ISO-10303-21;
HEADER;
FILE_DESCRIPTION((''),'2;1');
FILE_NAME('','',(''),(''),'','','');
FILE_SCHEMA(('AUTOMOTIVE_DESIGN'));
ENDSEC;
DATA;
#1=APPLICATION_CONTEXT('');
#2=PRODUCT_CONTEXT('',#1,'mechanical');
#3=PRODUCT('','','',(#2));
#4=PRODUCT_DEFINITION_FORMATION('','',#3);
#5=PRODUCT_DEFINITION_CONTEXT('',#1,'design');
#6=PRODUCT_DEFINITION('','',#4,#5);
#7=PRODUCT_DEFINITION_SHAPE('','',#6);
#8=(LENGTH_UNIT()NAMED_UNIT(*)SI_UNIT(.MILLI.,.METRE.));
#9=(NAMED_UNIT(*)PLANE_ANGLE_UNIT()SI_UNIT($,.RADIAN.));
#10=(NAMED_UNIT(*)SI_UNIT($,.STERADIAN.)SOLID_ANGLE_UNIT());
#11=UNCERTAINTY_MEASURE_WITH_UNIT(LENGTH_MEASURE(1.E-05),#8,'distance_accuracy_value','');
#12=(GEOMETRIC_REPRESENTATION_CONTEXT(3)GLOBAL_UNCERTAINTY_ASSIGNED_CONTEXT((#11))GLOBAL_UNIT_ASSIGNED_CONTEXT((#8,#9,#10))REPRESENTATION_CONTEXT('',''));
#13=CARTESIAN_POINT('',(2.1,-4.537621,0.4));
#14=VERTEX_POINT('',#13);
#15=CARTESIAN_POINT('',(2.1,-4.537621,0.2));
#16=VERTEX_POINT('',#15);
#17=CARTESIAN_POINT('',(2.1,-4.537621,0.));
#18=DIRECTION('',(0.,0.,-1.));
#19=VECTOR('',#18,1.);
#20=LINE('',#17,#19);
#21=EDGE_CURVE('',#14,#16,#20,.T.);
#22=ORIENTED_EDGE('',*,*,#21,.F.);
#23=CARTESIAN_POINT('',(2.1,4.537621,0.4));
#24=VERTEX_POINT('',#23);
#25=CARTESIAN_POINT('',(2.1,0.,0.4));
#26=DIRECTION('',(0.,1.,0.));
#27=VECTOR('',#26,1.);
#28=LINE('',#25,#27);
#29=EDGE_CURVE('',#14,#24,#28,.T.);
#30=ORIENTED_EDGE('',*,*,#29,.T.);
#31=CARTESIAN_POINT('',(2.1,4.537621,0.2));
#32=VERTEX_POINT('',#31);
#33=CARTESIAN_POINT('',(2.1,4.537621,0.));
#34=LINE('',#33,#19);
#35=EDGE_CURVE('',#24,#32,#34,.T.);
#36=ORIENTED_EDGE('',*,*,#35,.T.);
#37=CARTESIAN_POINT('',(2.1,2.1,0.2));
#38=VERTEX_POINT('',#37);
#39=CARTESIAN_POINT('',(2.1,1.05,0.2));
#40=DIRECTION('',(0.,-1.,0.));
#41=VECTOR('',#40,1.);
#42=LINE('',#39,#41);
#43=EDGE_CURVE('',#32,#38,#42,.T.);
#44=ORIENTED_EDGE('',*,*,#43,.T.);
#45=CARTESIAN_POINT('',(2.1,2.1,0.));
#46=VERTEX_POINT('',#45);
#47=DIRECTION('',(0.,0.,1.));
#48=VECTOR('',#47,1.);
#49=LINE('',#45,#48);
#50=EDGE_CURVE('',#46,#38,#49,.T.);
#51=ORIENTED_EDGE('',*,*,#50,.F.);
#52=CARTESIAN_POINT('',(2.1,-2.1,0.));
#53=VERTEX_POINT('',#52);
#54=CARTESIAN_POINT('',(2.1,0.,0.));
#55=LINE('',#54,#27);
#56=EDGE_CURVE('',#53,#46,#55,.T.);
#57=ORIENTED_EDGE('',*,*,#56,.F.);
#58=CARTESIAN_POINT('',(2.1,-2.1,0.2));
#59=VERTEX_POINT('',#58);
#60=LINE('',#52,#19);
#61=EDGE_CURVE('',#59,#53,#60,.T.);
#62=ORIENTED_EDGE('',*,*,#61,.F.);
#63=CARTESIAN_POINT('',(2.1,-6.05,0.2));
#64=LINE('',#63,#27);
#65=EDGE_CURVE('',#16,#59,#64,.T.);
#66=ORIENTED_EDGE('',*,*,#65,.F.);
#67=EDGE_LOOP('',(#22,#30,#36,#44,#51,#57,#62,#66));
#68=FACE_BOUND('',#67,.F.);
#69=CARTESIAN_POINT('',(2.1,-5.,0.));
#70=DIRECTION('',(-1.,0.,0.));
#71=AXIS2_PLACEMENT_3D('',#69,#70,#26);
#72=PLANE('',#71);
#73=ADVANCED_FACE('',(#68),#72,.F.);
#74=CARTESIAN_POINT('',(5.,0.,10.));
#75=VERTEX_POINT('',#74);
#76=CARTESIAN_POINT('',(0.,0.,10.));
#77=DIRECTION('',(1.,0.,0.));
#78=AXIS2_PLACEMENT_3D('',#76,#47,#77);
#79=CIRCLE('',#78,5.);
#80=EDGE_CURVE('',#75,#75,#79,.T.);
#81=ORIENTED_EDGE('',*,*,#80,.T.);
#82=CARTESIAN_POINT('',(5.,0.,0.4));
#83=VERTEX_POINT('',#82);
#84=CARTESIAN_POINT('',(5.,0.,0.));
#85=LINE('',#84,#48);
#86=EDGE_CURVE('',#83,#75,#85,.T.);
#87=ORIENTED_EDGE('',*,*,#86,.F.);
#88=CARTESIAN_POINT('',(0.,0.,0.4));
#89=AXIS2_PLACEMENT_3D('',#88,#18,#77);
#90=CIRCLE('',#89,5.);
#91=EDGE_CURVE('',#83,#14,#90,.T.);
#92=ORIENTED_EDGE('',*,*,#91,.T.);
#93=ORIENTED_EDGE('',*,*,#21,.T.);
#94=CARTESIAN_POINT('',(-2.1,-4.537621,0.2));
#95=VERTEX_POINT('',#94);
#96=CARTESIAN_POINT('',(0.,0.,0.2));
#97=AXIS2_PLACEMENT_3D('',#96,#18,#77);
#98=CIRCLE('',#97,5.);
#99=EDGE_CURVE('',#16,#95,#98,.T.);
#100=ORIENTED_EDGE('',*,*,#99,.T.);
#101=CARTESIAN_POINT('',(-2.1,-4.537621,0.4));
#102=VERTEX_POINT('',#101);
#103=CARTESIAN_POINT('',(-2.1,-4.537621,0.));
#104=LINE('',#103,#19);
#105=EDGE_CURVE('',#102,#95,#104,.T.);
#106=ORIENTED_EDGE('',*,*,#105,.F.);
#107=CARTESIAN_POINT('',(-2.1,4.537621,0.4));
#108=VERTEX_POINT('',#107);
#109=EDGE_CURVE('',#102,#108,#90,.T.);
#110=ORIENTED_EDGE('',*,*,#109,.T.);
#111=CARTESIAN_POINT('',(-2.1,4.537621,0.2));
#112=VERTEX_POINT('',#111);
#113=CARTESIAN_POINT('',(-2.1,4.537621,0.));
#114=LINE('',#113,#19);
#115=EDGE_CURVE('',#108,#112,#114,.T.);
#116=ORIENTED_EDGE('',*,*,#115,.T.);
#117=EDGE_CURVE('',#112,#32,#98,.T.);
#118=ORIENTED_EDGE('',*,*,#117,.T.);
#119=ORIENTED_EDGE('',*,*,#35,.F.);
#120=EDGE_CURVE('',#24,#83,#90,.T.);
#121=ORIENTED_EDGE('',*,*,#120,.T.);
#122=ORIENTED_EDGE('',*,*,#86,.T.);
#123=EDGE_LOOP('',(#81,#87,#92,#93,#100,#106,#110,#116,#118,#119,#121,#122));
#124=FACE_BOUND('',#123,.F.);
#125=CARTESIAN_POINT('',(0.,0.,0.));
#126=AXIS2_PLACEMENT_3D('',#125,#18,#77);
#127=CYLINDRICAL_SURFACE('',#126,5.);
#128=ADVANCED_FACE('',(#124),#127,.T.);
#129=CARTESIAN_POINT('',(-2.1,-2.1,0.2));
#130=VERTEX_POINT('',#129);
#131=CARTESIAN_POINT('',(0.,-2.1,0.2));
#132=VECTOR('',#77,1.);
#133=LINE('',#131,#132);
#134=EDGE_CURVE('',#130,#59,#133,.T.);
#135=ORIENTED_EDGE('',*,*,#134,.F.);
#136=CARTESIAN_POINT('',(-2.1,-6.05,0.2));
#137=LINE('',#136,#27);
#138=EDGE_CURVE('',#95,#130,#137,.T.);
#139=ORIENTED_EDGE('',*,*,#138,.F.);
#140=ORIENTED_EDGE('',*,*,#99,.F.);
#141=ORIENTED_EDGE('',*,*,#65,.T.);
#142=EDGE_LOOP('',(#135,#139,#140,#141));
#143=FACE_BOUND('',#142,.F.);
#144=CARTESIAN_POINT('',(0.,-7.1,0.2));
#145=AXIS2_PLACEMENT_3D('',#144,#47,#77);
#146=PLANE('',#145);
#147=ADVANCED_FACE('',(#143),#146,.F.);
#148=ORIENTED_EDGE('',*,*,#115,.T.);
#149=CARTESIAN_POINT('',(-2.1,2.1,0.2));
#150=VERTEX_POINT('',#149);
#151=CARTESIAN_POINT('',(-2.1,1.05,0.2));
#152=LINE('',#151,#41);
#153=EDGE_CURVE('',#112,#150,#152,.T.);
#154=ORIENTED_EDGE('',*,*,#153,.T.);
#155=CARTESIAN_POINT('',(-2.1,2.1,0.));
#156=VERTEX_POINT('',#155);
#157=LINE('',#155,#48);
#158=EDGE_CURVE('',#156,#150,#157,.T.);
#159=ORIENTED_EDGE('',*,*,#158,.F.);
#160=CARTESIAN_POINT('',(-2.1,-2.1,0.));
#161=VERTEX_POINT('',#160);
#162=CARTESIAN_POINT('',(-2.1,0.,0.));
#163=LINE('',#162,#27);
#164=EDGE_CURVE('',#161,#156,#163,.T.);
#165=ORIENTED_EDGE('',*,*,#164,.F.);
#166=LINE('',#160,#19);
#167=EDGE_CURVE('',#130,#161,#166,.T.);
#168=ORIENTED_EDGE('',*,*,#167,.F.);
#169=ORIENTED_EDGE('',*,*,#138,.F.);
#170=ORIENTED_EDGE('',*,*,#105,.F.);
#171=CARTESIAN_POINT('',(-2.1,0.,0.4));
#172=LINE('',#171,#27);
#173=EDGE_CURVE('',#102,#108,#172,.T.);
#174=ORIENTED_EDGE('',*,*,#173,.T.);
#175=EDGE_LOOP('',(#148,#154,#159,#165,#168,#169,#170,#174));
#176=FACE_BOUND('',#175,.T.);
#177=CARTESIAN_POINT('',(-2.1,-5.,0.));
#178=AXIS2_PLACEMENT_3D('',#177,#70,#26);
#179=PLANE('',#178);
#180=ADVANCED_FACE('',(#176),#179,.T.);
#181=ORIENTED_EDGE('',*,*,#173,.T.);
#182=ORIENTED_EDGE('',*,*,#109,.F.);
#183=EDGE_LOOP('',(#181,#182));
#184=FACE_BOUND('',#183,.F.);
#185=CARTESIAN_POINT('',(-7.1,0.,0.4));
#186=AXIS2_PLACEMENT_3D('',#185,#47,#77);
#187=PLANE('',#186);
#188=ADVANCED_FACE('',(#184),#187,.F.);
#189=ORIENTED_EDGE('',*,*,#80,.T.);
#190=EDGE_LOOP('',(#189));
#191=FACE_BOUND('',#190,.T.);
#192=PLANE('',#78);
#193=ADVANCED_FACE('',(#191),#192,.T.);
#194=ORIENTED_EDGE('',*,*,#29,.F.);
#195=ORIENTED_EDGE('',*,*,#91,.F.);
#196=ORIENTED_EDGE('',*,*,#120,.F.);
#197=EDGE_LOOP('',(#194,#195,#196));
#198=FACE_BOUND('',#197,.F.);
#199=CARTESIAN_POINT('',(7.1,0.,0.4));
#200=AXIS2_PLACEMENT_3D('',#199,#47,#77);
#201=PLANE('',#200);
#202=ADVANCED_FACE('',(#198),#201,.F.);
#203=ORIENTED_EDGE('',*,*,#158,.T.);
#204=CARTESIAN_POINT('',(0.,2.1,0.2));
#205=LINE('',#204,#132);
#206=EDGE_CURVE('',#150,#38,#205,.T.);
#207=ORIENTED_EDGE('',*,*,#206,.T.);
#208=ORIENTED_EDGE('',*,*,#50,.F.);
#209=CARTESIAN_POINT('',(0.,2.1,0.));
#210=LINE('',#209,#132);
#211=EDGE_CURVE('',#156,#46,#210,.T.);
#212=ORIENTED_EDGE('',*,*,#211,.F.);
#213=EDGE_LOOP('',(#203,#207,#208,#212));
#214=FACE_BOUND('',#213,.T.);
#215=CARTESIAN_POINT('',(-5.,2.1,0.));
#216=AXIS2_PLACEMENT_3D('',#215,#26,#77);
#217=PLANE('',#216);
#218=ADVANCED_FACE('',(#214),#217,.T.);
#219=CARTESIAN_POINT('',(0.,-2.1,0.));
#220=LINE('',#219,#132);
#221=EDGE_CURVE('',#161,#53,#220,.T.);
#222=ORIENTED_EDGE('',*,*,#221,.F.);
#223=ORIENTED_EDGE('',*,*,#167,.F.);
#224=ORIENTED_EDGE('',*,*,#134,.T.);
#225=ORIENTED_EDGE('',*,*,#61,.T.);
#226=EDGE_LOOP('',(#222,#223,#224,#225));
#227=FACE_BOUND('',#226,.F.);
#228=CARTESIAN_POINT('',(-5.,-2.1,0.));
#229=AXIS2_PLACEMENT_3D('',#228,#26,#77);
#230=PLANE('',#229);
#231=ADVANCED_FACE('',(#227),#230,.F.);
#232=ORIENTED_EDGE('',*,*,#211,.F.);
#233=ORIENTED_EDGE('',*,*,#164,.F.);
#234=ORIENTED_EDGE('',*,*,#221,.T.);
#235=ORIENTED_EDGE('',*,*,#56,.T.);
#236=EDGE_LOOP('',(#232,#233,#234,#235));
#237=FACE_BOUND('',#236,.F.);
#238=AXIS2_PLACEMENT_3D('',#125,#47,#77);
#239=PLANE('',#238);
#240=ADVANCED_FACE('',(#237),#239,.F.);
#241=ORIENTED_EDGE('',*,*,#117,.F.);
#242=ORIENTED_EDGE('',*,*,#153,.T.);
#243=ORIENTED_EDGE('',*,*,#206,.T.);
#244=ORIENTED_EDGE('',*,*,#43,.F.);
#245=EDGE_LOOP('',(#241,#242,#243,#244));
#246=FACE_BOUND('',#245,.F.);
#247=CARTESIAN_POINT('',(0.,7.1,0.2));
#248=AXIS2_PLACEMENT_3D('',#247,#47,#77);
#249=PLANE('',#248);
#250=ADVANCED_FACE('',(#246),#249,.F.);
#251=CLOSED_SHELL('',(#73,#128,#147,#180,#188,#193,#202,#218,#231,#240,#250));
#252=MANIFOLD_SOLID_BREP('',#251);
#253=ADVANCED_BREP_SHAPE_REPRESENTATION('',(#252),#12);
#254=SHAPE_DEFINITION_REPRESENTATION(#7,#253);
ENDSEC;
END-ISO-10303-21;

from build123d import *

# Parameters (mm, degrees)
BOX010_W          = 10
BOX010_H          = 10
BOX010_DEPTH      = 0.4
BOX009_W          = 10
BOX009_H          = 10
BOX009_DEPTH      = 0.4
BOX008_W          = 10
BOX008_H          = 10
BOX008_DEPTH      = 0.2
BOX007_W          = 10
BOX007_H          = 10
BOX007_DEPTH      = 0.2
CYLINDER007_R     = 5
CYLINDER007_DEPTH = 10


with BuildPart() as cube008:
    # Box010 → Box010 (new body)
    with BuildSketch(Plane(origin=(2.1, -5, 0), x_dir=(1, 0, 0), z_dir=(0, 0, 1))):
        with Locations((5, 5)):
            Rectangle(BOX010_W, BOX010_H)
    extrude(amount=BOX010_DEPTH)


with BuildPart() as cube007:
    # Box009 → Box009 (new body)
    with BuildSketch(Plane(origin=(-12.1, -5, 0), x_dir=(1, 0, 0), z_dir=(0, 0, 1))):
        with Locations((5, 5)):
            Rectangle(BOX009_W, BOX009_H)
    extrude(amount=BOX009_DEPTH)


with BuildPart() as cube006:
    # Box008 → Box008 (new body)
    with BuildSketch(Plane(origin=(-5, -12.1, 0), x_dir=(1, 0, 0), z_dir=(0, 0, 1))):
        with Locations((5, 5)):
            Rectangle(BOX008_W, BOX008_H)
    extrude(amount=BOX008_DEPTH)


with BuildPart() as fusion003:
    # Box007 → Box007 (new body)
    with BuildSketch(Plane(origin=(-5, 2.1, 0), x_dir=(1, 0, 0), z_dir=(0, 0, 1))):
        with Locations((5, 5)):
            Rectangle(BOX007_W, BOX007_H)
    extrude(amount=BOX007_DEPTH)

    # Fusion003: union Cube008, Cube007, Cube006
    add(cube008.part)
    add(cube007.part)
    add(cube006.part)


with BuildPart() as m4_slot:
    # Cylinder007 → Cylinder007 (new body)
    with BuildSketch(Plane.XY):
        Circle(CYLINDER007_R)
    extrude(amount=CYLINDER007_DEPTH)

    # Cut003: cut Fusion003
    add(fusion003.part, mode=Mode.SUBTRACT)


solid = m4_slot.part
